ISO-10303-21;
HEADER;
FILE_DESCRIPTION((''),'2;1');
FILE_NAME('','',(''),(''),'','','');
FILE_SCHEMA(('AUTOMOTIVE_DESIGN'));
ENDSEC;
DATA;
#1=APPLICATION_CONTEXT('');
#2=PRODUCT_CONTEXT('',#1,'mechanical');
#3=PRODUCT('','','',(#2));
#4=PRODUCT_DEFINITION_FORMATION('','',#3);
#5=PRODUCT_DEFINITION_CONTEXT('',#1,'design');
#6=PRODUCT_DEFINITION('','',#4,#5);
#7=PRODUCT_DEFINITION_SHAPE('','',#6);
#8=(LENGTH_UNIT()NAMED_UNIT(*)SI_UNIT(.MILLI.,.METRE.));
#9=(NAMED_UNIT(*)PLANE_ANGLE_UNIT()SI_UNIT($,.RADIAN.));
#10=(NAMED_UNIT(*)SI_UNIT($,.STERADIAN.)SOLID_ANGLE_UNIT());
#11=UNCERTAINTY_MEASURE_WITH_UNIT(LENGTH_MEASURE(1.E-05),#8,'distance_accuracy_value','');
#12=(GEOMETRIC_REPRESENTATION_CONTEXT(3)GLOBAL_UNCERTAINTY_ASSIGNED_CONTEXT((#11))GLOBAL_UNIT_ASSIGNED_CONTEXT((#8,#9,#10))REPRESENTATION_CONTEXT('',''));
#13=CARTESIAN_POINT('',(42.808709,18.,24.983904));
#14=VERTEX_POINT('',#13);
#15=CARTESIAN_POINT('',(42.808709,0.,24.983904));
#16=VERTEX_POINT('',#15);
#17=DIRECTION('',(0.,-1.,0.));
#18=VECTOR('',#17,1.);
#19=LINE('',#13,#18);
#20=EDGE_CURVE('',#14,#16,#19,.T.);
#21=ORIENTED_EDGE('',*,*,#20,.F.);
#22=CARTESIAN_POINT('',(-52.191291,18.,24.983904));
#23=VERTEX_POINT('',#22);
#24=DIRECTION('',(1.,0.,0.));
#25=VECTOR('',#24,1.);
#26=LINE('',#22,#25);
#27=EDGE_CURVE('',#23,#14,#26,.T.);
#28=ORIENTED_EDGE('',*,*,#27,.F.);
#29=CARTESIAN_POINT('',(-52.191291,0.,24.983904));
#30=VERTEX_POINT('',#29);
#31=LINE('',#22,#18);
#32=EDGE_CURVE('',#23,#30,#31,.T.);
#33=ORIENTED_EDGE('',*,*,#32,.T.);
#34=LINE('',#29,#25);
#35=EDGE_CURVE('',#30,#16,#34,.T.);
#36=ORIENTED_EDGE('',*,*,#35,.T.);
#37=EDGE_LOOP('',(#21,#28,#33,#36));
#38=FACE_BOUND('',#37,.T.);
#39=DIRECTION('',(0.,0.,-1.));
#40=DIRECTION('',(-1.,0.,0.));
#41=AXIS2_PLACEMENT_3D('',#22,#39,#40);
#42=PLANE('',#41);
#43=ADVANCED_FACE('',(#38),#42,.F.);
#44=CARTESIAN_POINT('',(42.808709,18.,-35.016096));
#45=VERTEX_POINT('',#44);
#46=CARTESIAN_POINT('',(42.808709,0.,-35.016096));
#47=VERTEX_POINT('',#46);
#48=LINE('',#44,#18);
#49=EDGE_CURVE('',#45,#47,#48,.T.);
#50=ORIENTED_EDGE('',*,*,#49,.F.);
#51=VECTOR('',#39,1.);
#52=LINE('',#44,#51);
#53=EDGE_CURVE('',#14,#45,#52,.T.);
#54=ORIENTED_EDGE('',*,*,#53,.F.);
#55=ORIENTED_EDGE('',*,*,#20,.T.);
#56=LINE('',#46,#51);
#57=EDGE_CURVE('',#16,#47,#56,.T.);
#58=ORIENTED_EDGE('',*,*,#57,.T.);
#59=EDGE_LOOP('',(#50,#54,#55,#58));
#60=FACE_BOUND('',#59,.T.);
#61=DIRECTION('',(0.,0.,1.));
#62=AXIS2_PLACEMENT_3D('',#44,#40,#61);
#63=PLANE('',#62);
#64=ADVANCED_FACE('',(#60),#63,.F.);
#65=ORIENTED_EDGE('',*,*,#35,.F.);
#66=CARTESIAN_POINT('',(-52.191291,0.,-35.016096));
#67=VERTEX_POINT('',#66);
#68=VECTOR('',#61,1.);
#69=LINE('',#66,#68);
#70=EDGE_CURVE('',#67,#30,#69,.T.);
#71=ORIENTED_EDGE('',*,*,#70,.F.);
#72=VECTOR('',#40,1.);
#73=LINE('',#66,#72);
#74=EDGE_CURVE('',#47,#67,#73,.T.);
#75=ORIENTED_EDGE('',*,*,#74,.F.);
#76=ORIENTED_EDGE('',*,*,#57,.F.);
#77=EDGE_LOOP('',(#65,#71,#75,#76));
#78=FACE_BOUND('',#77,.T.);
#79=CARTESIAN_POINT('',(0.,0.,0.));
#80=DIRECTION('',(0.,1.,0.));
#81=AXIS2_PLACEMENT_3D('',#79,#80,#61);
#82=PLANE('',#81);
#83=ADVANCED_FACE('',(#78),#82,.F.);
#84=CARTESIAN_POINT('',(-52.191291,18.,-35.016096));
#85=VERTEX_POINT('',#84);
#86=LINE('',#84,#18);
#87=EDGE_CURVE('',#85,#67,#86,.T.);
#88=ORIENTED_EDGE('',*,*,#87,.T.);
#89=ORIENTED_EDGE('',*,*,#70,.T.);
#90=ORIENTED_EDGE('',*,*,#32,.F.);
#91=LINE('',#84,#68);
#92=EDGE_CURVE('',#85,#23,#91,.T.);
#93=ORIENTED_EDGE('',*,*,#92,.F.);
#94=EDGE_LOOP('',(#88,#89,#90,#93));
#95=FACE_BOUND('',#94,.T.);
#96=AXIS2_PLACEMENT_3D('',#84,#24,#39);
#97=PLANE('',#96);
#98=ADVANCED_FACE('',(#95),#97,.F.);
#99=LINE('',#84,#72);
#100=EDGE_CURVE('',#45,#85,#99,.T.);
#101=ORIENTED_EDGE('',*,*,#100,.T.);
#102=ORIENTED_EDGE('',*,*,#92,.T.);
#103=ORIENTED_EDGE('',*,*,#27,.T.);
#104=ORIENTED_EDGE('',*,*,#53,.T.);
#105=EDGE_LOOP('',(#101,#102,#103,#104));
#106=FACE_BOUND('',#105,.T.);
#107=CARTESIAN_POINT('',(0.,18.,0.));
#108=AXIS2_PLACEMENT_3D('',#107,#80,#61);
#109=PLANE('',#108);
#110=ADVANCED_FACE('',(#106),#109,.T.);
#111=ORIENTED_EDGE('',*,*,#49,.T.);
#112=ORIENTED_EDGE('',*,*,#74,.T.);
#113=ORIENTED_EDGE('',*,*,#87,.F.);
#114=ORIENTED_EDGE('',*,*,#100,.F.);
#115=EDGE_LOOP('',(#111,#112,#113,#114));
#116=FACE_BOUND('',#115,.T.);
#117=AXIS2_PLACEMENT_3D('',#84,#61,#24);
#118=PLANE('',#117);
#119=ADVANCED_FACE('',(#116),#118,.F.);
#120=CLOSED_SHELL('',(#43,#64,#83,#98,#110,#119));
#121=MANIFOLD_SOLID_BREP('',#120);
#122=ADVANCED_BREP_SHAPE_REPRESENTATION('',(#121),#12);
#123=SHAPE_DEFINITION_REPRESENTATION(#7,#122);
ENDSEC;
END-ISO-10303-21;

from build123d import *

# Parameters (mm, degrees)
ESQUISSE1_W        = 95
ESQUISSE1_H        = 60
BOSS_EXTRU_1_DEPTH = 18


with BuildPart() as part:
    # Esquisse1 → Boss.-Extru.1 (new body)
    with BuildSketch(Plane(origin=(0, 0, 0), x_dir=(1, 0, 0), z_dir=(0, 1, 0))):
        with Locations((-4.691291333, 5.016095971)):
            Rectangle(ESQUISSE1_W, ESQUISSE1_H)
    extrude(amount=BOSS_EXTRU_1_DEPTH)


solid = part.part
